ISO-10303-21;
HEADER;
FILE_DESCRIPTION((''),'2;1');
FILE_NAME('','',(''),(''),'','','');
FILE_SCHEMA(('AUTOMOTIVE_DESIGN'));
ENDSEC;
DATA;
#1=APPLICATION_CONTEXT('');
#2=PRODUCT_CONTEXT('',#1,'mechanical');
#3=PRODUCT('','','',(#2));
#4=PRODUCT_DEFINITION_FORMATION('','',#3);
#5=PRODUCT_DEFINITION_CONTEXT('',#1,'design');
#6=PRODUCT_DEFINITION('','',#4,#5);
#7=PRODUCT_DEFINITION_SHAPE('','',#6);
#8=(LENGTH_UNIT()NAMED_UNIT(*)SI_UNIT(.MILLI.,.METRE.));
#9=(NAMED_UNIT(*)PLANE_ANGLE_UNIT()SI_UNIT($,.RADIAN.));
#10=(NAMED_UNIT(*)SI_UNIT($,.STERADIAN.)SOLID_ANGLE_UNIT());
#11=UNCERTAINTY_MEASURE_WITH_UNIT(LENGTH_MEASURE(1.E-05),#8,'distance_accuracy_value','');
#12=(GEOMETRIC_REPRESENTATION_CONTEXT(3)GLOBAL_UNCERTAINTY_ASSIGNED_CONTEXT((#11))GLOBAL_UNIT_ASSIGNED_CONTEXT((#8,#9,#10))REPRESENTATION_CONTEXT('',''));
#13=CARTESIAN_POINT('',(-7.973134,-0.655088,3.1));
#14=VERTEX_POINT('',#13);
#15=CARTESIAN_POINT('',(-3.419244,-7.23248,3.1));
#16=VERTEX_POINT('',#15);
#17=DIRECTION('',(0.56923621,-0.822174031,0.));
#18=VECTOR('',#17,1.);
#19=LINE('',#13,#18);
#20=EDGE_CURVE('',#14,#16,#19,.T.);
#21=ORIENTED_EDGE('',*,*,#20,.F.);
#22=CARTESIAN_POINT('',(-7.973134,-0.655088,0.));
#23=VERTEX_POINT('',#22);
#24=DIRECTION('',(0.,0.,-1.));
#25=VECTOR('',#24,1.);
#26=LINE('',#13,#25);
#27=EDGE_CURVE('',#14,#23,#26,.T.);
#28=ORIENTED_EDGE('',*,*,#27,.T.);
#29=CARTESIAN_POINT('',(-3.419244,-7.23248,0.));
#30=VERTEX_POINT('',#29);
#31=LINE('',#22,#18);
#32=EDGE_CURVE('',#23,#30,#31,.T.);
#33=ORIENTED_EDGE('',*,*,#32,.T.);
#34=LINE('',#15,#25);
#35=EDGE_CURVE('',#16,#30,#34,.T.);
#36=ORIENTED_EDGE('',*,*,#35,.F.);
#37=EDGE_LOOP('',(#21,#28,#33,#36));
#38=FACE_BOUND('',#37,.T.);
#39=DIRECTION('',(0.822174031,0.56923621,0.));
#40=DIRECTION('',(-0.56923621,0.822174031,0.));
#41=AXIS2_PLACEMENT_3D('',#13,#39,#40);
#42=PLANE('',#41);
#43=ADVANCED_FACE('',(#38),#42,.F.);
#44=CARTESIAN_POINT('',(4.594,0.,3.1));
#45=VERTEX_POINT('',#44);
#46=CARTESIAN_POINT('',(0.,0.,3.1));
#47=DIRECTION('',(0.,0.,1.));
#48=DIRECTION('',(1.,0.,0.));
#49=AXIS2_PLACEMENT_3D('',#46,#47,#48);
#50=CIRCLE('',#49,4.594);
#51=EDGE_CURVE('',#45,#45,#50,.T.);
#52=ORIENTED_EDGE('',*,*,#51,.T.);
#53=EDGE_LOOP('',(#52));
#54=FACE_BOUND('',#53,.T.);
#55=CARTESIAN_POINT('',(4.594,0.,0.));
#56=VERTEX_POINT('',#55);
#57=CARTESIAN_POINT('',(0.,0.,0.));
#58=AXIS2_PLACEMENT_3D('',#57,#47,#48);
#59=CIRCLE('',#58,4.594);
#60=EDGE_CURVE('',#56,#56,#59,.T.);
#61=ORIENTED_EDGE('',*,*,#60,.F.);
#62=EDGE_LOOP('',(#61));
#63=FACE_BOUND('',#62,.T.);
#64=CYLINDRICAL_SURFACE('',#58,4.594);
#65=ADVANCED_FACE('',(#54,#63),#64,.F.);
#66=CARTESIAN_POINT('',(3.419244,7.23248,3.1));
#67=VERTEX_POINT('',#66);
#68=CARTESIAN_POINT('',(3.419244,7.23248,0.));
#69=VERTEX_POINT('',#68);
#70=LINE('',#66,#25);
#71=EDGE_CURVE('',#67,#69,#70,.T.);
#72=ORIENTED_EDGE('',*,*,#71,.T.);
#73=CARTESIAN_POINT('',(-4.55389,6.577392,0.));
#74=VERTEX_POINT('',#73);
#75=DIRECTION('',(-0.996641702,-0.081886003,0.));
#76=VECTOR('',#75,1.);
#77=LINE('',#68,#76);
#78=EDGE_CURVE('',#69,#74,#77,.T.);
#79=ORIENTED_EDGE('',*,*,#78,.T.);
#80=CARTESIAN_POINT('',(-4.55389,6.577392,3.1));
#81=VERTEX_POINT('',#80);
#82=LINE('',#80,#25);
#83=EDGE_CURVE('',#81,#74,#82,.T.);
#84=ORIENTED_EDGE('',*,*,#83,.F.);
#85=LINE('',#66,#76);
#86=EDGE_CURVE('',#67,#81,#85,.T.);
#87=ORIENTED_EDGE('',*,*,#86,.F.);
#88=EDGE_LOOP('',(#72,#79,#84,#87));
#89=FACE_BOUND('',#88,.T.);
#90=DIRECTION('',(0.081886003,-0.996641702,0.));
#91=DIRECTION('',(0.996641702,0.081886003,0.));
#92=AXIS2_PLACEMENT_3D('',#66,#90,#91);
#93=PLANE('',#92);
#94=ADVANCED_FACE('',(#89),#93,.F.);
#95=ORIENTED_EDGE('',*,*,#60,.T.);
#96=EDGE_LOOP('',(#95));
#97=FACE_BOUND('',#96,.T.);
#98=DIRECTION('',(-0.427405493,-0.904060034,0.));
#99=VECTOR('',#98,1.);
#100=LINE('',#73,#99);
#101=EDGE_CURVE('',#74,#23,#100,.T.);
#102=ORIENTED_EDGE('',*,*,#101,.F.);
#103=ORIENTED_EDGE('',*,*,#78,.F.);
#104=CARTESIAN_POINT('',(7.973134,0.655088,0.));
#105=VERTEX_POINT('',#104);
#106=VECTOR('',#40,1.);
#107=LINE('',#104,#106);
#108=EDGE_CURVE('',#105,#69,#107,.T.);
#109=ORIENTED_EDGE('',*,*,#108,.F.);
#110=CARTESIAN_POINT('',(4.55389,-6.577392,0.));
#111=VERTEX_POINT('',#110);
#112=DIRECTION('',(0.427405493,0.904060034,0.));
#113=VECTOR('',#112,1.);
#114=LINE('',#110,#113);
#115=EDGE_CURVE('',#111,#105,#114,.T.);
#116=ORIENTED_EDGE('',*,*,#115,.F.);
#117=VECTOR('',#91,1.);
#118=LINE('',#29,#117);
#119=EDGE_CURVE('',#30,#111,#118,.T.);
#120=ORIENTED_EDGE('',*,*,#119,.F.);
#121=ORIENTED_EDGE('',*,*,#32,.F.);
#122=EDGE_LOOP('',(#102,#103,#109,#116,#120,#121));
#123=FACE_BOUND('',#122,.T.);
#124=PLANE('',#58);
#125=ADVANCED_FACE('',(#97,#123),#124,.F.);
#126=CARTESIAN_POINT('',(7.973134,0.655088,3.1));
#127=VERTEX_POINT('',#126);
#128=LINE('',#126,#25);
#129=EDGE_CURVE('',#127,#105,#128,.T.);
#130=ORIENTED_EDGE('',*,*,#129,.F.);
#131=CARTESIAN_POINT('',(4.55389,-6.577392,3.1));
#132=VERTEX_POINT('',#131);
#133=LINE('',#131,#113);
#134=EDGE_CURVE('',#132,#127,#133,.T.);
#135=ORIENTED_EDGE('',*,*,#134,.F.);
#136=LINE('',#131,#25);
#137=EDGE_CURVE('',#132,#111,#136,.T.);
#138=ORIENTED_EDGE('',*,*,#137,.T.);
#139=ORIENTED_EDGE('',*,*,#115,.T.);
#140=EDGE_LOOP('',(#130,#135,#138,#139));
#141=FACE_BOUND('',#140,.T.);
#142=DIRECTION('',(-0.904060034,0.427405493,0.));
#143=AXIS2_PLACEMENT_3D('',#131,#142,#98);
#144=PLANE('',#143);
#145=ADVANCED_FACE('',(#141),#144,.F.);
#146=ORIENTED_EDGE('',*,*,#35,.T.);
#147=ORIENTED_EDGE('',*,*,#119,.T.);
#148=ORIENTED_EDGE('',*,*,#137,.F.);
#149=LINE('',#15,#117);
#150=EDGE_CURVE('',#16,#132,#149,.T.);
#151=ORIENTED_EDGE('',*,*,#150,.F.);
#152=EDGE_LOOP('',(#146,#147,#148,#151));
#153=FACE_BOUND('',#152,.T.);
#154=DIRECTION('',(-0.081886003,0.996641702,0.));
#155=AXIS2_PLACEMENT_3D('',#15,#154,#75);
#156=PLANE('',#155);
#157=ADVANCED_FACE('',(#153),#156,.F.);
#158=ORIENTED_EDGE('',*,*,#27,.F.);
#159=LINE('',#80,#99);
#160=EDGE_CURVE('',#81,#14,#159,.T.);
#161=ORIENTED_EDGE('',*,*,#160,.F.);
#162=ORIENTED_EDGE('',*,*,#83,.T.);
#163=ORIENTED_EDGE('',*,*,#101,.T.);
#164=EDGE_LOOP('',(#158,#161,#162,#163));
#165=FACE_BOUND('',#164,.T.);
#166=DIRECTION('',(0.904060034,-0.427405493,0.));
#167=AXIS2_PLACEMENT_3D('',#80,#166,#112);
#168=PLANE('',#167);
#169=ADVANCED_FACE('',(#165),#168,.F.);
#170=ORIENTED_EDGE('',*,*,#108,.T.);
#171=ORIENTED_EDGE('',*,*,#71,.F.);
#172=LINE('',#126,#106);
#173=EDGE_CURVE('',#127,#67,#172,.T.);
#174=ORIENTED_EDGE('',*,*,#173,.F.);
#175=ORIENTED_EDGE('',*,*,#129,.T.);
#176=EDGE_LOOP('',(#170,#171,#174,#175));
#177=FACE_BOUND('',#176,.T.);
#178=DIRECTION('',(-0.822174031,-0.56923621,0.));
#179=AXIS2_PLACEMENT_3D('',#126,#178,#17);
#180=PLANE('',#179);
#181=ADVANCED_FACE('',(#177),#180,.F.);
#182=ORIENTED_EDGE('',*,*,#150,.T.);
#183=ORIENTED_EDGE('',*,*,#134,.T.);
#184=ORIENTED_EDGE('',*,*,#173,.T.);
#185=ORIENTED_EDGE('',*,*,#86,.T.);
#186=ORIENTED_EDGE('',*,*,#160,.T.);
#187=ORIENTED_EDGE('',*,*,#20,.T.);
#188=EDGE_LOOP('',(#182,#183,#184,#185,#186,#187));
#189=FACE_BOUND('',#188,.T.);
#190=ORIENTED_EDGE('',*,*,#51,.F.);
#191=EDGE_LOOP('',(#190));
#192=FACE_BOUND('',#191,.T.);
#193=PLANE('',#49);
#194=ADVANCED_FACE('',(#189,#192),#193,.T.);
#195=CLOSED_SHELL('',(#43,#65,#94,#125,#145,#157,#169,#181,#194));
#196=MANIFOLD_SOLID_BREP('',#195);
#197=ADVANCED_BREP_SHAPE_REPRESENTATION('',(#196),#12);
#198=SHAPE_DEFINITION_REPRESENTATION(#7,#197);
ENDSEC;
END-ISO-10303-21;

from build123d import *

# Parameters (mm, degrees)
DODANIE_WYCI_GNI_CIE1_DEPTH = 3.1
SZKIC4_R                    = 4.594
WYTNIJ_WYCI_GNI_CIE1_DEPTH  = 3.1


with BuildPart() as part:
    # Szkic1 → Dodanie-wyciągnięcie1 (new body)
    with BuildSketch(Plane.XY):
        Polygon((-4.553889676, 6.57739225), (-7.973133618, -0.655088021), (-3.419243941, -7.232480271), (4.553889676, -6.57739225), (7.973133618, 0.655088021), (3.419243941, 7.232480271), align=None)
    extrude(amount=DODANIE_WYCI_GNI_CIE1_DEPTH)

    # Szkic4 → Wytnij-wyciągnięcie1 (cut)
    with BuildSketch(Plane.XY.offset(3.1)):
        Circle(SZKIC4_R)
    extrude(amount=-WYTNIJ_WYCI_GNI_CIE1_DEPTH, mode=Mode.SUBTRACT)


solid = part.part
